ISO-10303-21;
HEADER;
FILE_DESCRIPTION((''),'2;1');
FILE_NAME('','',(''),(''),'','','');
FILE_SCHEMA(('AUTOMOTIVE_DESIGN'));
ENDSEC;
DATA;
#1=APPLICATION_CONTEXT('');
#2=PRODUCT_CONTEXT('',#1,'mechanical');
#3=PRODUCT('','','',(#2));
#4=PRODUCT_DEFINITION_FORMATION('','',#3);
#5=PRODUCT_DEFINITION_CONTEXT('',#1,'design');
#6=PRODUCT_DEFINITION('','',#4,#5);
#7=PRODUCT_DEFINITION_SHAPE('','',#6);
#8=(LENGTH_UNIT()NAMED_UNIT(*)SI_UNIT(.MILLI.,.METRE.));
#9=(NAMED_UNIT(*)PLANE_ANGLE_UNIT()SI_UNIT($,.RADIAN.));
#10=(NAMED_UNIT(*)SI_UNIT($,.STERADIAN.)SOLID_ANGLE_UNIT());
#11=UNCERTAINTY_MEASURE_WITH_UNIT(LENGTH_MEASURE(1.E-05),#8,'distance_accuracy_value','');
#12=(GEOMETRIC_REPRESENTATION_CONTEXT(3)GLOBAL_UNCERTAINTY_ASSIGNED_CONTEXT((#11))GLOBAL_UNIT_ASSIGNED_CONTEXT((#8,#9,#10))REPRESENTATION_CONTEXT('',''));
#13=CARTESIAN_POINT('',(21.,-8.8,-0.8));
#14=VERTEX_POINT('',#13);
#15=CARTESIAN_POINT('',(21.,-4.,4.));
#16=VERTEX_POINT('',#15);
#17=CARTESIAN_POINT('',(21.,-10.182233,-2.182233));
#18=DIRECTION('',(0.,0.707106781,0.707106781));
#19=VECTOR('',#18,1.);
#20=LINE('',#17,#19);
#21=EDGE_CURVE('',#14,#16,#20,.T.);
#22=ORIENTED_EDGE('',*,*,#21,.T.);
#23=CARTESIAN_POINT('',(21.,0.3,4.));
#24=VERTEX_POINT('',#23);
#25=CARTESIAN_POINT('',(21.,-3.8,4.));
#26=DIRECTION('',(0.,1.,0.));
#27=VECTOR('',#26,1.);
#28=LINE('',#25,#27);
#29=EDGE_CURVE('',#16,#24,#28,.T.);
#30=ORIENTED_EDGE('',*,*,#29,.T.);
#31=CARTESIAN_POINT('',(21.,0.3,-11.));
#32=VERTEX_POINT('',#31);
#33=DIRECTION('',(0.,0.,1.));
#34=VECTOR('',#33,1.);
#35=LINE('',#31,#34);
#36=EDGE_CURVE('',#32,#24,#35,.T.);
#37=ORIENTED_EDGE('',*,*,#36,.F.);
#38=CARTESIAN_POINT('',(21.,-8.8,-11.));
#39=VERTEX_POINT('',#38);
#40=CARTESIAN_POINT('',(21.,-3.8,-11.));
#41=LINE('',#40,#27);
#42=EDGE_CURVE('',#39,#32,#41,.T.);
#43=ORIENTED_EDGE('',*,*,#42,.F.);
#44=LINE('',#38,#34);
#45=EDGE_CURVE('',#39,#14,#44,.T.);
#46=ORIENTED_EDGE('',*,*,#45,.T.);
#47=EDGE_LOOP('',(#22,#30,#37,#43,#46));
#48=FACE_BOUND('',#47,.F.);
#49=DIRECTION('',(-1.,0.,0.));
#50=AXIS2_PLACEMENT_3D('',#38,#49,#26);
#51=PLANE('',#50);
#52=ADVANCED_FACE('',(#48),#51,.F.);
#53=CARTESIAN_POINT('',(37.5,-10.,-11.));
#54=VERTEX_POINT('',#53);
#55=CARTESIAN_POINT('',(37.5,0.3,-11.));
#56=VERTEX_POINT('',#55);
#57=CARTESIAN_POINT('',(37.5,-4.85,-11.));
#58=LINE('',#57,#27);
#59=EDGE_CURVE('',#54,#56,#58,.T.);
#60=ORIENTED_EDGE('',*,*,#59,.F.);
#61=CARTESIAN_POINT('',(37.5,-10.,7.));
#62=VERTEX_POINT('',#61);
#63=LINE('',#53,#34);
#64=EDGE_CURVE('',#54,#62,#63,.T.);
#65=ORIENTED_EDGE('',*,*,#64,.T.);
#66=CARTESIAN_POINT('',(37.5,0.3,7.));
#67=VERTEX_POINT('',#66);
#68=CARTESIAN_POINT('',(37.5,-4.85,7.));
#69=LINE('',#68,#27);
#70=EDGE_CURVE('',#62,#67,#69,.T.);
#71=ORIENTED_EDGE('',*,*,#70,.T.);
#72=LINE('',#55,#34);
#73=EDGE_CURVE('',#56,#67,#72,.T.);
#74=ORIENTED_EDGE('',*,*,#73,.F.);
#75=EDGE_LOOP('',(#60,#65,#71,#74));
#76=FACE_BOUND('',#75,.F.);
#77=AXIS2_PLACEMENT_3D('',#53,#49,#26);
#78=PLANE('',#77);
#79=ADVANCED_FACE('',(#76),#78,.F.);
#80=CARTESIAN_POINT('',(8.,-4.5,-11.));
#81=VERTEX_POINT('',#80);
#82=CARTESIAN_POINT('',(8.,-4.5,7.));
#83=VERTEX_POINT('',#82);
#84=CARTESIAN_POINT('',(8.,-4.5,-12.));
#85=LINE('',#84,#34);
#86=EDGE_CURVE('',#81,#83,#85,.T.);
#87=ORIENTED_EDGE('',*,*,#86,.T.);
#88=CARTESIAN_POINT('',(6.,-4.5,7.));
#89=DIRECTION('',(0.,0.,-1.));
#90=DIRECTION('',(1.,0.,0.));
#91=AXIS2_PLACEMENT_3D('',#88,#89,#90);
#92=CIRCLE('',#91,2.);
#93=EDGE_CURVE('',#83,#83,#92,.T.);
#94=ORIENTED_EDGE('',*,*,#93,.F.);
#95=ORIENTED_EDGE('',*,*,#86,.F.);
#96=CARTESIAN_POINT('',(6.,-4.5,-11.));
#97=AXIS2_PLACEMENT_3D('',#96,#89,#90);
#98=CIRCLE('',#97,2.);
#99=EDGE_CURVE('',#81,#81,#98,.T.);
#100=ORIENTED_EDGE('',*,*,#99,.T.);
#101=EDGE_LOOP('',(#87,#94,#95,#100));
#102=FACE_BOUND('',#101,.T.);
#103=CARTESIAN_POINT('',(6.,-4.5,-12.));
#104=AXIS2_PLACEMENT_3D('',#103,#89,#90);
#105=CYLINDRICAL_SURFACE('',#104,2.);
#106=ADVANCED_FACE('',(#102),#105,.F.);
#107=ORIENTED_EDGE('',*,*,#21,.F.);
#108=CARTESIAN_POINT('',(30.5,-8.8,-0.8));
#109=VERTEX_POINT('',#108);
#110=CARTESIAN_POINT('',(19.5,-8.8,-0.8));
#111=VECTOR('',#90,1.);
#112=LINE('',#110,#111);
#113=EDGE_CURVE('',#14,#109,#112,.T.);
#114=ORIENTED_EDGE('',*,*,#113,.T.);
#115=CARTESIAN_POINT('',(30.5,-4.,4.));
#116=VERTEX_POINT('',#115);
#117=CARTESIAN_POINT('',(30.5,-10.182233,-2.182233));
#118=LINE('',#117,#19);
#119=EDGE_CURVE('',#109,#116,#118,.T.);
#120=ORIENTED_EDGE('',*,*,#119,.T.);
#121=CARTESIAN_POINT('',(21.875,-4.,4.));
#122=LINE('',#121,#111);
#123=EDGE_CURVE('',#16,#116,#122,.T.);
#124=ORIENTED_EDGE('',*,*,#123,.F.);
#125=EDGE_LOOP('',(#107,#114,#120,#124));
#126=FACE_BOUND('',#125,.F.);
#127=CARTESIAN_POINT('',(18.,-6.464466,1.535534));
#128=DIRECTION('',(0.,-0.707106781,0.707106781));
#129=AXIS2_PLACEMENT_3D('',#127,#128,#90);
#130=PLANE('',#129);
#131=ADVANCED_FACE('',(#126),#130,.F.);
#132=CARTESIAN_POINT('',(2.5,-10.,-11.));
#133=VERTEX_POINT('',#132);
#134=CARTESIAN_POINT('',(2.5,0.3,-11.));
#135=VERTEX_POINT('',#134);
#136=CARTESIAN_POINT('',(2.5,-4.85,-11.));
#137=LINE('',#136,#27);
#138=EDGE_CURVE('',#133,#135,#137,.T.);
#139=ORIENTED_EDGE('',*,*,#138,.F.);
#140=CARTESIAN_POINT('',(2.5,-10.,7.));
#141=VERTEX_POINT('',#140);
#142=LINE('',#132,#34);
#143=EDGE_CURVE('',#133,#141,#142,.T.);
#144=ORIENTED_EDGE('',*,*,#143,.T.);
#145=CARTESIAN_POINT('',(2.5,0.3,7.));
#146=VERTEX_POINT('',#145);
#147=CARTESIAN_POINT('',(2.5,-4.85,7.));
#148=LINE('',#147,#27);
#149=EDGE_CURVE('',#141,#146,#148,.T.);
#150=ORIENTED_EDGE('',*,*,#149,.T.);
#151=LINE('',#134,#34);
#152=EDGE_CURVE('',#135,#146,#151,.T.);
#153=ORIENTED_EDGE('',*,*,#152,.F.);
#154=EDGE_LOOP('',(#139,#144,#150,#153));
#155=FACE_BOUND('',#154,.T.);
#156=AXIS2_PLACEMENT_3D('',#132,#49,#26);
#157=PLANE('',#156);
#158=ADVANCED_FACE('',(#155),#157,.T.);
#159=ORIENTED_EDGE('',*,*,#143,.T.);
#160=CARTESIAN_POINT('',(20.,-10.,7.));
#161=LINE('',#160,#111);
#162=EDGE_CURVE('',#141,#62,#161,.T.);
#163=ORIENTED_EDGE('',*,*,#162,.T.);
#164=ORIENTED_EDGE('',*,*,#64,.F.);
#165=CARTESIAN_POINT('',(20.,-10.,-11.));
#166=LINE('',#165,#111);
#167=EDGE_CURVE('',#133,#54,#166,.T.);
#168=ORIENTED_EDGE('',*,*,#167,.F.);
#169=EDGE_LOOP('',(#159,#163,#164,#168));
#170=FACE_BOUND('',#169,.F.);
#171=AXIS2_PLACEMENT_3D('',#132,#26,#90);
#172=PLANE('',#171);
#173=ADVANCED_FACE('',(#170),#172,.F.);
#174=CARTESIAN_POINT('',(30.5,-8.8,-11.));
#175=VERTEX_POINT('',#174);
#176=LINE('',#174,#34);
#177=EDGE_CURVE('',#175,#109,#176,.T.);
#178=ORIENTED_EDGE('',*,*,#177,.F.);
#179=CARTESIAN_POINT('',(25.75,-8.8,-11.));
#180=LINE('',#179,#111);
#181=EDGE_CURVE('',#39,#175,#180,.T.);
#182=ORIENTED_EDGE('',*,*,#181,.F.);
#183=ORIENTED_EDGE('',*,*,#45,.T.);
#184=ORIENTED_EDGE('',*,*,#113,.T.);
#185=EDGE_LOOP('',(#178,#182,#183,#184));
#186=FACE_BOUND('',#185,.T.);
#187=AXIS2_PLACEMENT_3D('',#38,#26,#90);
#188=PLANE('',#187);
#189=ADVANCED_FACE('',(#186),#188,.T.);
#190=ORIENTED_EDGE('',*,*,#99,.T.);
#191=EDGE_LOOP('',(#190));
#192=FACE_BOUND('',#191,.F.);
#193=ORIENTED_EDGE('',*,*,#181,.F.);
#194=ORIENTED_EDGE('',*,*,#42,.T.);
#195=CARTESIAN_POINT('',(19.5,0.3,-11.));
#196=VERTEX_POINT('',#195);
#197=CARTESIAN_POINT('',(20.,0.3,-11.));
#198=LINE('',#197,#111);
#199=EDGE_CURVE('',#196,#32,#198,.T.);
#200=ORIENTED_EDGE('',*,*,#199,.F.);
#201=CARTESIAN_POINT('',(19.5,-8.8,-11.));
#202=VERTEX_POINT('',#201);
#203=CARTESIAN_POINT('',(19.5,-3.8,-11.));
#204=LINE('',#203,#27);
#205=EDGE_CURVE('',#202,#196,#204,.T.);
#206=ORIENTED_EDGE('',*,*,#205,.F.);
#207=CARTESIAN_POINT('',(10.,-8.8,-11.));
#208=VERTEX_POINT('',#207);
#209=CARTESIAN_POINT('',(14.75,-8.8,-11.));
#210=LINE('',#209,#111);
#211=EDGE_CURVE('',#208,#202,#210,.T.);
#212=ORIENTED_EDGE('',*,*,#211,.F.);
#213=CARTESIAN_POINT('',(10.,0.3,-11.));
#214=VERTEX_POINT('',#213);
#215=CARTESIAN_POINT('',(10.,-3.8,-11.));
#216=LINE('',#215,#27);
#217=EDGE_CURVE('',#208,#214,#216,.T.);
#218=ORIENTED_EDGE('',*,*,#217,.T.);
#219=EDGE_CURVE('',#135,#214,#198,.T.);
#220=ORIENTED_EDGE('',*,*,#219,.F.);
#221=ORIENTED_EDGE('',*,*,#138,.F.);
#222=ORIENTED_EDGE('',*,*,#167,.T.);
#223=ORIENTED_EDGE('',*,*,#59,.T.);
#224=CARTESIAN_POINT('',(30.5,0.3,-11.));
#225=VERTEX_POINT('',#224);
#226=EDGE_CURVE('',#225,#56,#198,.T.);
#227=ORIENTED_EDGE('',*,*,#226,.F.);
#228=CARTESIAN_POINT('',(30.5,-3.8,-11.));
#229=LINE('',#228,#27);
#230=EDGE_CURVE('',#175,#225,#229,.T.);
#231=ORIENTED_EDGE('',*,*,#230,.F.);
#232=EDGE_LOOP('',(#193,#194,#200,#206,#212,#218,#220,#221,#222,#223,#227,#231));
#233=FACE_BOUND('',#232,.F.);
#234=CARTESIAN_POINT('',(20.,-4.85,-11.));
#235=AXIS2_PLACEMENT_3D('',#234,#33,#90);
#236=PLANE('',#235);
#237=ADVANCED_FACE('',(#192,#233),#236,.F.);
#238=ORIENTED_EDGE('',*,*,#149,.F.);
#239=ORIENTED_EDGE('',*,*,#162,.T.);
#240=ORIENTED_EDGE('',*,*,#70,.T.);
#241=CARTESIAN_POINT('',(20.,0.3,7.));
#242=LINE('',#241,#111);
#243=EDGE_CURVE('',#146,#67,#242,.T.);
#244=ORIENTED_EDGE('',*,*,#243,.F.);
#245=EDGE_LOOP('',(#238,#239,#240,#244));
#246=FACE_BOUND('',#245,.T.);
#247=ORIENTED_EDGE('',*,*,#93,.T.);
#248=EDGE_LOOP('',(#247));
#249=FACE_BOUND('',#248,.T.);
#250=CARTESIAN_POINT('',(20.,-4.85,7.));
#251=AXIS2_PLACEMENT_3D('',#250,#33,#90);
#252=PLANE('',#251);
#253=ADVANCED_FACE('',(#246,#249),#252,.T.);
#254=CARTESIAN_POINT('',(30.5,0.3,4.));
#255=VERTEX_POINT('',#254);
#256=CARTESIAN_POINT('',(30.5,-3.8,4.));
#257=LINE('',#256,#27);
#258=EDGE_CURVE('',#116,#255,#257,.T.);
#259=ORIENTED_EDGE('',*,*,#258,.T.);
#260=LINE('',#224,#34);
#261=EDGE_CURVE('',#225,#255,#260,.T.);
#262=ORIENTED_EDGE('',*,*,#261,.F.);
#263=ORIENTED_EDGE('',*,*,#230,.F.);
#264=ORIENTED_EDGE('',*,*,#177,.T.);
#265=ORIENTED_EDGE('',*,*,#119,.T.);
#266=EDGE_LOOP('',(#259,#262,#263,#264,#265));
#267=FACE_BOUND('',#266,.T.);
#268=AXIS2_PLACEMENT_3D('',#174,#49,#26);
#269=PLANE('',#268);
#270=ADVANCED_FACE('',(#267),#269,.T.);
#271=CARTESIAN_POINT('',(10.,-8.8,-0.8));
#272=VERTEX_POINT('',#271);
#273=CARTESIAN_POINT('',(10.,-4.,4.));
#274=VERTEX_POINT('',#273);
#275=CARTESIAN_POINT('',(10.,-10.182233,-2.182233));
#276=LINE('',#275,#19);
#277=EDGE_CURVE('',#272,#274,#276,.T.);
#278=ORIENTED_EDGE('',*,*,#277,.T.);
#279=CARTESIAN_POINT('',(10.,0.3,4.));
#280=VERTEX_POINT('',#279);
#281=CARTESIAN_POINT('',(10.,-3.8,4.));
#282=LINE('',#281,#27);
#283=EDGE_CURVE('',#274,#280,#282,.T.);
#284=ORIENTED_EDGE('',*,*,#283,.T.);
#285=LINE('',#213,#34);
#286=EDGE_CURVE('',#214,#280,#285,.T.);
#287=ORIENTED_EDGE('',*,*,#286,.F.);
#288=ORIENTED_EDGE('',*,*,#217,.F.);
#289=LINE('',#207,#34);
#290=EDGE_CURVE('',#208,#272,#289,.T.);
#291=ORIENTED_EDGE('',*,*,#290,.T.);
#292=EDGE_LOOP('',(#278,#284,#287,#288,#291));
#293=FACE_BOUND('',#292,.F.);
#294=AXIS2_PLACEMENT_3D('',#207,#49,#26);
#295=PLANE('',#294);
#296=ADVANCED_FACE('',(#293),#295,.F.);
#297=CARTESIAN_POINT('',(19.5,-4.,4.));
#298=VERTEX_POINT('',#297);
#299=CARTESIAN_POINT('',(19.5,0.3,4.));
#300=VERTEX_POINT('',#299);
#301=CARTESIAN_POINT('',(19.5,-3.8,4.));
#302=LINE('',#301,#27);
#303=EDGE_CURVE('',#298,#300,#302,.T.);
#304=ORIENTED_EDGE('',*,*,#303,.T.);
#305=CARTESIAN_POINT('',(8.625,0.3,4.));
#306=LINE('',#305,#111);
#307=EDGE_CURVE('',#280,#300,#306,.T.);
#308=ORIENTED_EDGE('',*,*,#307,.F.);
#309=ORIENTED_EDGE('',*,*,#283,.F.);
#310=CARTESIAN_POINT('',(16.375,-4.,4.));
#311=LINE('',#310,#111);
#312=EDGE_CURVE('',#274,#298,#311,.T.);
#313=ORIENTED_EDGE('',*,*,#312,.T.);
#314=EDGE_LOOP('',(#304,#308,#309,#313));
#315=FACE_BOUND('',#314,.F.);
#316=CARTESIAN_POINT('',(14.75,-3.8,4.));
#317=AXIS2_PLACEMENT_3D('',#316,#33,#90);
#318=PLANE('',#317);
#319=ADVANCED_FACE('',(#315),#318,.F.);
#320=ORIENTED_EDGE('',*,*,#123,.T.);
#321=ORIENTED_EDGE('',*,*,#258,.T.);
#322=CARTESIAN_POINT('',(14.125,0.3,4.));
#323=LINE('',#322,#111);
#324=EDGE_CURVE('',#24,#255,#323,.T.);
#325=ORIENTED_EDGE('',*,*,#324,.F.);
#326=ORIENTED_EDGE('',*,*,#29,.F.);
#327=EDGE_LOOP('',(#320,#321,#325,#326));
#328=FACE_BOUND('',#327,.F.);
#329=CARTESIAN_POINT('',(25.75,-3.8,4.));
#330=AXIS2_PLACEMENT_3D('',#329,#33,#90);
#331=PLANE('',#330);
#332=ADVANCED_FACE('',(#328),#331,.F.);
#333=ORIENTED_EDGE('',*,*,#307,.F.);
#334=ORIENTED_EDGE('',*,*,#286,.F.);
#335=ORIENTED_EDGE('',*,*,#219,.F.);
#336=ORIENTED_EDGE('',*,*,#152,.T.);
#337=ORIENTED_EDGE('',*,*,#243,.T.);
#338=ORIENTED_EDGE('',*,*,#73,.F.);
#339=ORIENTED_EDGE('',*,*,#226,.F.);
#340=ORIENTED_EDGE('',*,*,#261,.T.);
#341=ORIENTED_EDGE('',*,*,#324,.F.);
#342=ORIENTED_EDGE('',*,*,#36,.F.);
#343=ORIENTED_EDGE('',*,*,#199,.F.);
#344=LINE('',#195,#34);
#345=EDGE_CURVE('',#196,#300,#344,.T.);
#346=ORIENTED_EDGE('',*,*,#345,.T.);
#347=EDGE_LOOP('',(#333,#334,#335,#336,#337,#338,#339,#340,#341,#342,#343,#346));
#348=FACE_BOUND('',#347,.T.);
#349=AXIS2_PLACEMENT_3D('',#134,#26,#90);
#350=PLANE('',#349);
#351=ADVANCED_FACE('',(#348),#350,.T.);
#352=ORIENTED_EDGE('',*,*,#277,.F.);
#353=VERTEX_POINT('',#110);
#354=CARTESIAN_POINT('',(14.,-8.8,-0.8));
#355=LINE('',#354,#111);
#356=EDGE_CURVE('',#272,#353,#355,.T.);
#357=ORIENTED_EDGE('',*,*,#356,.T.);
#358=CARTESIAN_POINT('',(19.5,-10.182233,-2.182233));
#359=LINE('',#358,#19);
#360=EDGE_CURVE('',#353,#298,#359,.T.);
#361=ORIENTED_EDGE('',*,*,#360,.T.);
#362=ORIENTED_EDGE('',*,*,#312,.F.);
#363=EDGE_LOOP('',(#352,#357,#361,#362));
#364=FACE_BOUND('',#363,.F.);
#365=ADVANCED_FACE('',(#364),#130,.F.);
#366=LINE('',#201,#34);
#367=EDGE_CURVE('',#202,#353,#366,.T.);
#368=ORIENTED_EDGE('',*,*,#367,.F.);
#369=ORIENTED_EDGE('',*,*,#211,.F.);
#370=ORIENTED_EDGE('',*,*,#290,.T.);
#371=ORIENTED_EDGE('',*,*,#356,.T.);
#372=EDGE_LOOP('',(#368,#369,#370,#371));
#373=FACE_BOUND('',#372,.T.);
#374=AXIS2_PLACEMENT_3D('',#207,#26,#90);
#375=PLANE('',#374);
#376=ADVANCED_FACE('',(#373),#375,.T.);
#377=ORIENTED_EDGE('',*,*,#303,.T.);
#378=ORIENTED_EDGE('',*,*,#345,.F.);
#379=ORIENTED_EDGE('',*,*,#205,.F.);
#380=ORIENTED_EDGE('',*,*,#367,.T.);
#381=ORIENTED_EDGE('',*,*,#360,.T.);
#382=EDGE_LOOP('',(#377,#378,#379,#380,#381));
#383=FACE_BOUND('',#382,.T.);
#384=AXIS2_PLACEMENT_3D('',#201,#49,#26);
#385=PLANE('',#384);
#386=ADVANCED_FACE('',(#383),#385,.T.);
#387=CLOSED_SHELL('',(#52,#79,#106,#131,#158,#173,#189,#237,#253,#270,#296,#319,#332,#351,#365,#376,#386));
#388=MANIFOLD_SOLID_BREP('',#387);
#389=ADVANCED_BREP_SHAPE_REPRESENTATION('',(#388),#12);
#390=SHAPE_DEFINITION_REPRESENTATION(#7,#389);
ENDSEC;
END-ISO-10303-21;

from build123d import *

# Parameters (mm, degrees)
CYLINDER003_R     = 2
CYLINDER003_DEPTH = 20
BOX007_W          = 36
BOX007_H          = 10
BOX007_DEPTH      = 10
BOX007_ROLL_ANGLE = 45
BOX006_W          = 9.5
BOX006_H          = 10
BOX006_DEPTH      = 15
BOX004_W          = 9.5
BOX004_H          = 10
BOX004_DEPTH      = 15
BOX001_W          = 35
BOX001_H          = 10.3
BOX001_DEPTH      = 18


with BuildPart() as zylinder003:
    # Cylinder003 → Cylinder003 (new body)
    with BuildSketch(Plane(origin=(6, -4.5, -12), x_dir=(1, 0, 0), z_dir=(0, 0, 1))):
        Circle(CYLINDER003_R)
    extrude(amount=CYLINDER003_DEPTH)


with BuildPart() as w_rfel007:
    # Box007 → Box007 (new body)
    with BuildSketch(Plane.XY):
        with Locations((18, 5)):
            Rectangle(BOX007_W, BOX007_H)
    extrude(amount=BOX007_DEPTH)


with BuildPart() as w_rfel007_1:
    # Box007 roll: moved
    add(w_rfel007.part.rotate(Axis((0, 0, 0), (1, 0, 0)), BOX007_ROLL_ANGLE))


with BuildPart() as w_rfel007_2:
    # Box007 placement: moved
    add(w_rfel007_1.part.moved(Location((0, -10, -2))))


with BuildPart() as w_rfel006:
    # Box006 → Box006 (new body)
    with BuildSketch(Plane(origin=(21, -8.8, -11), x_dir=(1, 0, 0), z_dir=(0, 0, 1))):
        with Locations((4.75, 5)):
            Rectangle(BOX006_W, BOX006_H)
    extrude(amount=BOX006_DEPTH)


with BuildPart() as cut001:
    # Box004 → Box004 (new body)
    with BuildSketch(Plane(origin=(10, -8.8, -11), x_dir=(1, 0, 0), z_dir=(0, 0, 1))):
        with Locations((4.75, 5)):
            Rectangle(BOX004_W, BOX004_H)
    extrude(amount=BOX004_DEPTH)

    # Fusion007: union Würfel006
    add(w_rfel006.part)

    # Cut001: cut Würfel007
    add(w_rfel007_2.part, mode=Mode.SUBTRACT)


with BuildPart() as cut003:
    # Box001 → Box001 (new body)
    with BuildSketch(Plane(origin=(2.5, -10, -11), x_dir=(1, 0, 0), z_dir=(0, 0, 1))):
        with Locations((17.5, 5.15)):
            Rectangle(BOX001_W, BOX001_H)
    extrude(amount=BOX001_DEPTH)

    # Cut002: cut Cut001
    add(cut001.part, mode=Mode.SUBTRACT)

    # Cut003: cut Zylinder003
    add(zylinder003.part, mode=Mode.SUBTRACT)


solid = cut003.part
